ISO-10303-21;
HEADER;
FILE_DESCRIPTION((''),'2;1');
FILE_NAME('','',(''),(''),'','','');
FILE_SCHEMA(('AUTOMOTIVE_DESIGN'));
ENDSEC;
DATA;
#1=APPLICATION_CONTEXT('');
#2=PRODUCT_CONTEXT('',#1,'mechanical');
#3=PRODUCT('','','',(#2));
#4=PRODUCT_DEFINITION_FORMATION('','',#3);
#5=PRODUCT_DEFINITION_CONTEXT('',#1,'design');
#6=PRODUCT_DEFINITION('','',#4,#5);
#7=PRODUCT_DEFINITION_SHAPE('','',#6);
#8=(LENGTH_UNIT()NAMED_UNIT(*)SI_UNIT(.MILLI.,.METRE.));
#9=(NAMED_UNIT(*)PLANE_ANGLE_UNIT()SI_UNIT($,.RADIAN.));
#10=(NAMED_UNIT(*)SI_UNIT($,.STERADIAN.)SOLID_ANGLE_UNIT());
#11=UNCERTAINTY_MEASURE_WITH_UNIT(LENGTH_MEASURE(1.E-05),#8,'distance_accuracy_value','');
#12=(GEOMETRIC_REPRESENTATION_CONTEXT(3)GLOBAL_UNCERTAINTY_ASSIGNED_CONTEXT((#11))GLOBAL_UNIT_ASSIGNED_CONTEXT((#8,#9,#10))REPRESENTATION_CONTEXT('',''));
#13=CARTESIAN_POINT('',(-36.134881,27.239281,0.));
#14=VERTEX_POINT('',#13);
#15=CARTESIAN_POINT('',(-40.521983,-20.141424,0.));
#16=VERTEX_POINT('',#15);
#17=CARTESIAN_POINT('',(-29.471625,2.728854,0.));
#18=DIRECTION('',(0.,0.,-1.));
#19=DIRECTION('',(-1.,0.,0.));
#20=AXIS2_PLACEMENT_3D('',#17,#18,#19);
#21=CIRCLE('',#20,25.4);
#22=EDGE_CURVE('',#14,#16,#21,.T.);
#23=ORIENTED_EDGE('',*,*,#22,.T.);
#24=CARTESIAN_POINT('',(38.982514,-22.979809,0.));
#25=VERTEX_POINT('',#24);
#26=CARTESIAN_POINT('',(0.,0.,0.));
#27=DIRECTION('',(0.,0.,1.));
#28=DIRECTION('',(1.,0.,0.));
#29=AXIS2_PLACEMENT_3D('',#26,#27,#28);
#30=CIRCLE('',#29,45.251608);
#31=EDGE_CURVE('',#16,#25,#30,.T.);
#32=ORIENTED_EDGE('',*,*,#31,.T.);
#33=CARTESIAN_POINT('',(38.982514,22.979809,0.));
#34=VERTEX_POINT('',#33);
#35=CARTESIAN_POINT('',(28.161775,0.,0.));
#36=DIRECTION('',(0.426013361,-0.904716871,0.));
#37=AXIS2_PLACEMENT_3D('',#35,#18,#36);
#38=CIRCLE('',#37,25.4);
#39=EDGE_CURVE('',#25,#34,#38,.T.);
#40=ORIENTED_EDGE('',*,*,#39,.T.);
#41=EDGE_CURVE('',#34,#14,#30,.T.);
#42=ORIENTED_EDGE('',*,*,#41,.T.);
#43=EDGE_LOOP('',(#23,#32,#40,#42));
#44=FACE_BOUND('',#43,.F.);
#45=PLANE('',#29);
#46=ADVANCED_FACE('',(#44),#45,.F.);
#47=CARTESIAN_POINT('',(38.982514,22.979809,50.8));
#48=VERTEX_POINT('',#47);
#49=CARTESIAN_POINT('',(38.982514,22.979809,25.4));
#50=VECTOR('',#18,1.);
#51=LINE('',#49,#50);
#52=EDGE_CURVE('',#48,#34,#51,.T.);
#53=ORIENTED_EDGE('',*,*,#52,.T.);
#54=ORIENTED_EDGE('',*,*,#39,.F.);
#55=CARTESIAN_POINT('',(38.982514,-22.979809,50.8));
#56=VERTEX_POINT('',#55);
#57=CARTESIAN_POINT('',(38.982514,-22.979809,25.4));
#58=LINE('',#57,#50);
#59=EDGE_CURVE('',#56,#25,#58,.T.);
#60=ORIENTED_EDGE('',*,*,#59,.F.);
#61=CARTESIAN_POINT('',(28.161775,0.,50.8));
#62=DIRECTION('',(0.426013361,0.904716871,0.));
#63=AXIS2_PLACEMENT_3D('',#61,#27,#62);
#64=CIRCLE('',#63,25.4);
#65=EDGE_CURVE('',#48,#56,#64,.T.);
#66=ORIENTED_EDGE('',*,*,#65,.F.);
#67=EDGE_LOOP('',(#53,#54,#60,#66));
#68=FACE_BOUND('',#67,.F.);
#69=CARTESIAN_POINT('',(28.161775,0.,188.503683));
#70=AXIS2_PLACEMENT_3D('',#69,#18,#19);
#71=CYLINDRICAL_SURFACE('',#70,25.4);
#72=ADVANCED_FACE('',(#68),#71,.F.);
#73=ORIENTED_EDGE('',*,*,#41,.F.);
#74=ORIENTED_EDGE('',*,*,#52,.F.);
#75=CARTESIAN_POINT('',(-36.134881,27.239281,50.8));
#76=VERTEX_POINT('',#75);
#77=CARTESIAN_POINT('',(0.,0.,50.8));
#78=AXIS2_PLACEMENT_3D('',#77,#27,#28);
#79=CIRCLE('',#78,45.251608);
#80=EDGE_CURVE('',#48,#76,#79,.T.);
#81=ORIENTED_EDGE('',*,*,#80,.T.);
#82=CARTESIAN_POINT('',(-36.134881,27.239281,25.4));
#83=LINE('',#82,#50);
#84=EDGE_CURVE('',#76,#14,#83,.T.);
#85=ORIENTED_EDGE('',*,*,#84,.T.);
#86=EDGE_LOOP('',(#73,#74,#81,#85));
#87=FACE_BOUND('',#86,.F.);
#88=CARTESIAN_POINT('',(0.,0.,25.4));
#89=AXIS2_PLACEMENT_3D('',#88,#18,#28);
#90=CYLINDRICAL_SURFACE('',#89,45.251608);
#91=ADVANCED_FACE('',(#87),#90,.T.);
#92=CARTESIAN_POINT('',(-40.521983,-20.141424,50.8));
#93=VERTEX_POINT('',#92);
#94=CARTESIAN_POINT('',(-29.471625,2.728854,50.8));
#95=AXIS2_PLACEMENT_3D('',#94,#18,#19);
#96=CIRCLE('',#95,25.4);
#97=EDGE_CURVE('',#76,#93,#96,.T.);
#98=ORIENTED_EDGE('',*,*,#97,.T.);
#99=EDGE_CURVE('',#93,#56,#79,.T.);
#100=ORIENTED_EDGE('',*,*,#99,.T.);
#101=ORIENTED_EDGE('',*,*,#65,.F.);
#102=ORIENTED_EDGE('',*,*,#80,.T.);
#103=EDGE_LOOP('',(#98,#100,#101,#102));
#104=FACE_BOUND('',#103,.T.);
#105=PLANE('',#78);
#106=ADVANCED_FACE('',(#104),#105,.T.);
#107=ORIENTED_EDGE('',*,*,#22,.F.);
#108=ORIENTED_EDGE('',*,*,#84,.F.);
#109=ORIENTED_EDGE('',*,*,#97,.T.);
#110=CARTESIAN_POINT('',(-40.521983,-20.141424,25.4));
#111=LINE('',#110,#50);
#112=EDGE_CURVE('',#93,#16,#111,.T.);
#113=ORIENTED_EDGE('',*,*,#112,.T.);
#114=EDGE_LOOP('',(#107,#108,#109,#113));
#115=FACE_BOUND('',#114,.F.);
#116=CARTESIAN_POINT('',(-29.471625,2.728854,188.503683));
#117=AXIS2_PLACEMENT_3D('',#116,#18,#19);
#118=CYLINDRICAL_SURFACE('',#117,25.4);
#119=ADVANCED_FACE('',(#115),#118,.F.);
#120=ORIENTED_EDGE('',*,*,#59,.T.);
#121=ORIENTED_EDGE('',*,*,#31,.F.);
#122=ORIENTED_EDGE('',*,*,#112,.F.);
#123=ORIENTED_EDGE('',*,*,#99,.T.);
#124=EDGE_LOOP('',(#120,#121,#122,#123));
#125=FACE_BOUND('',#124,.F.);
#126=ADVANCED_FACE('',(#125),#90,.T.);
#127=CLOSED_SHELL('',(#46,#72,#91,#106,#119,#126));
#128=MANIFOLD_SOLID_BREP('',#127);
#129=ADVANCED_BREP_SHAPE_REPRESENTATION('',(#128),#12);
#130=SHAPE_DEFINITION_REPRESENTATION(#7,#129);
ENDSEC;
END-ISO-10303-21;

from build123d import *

# Parameters (mm, degrees)
F0_R      = 45.251608
F1_DEPTH  = 25.4
F1_FACE_R = 45.251608
F2_DEPTH  = 25.4
F4_D      = 50.8


with BuildPart() as f1:
    # F0 (on Top) → F1 (new body)
    with BuildSketch(Plane.XY):
        Circle(F0_R)
    extrude(amount=F1_DEPTH)

    # F1_face (on face) → F2 (join)
    with BuildSketch(Plane.XY.offset(25.4)):
        Circle(F1_FACE_R)
    extrude(amount=F2_DEPTH)

    # F4 (through all)
    with Locations(Plane.XY.offset(50.8)):
        with Locations((-29.471625, 2.728854), (28.161775, 0)):
            Hole(F4_D / 2)


solid = f1.part
